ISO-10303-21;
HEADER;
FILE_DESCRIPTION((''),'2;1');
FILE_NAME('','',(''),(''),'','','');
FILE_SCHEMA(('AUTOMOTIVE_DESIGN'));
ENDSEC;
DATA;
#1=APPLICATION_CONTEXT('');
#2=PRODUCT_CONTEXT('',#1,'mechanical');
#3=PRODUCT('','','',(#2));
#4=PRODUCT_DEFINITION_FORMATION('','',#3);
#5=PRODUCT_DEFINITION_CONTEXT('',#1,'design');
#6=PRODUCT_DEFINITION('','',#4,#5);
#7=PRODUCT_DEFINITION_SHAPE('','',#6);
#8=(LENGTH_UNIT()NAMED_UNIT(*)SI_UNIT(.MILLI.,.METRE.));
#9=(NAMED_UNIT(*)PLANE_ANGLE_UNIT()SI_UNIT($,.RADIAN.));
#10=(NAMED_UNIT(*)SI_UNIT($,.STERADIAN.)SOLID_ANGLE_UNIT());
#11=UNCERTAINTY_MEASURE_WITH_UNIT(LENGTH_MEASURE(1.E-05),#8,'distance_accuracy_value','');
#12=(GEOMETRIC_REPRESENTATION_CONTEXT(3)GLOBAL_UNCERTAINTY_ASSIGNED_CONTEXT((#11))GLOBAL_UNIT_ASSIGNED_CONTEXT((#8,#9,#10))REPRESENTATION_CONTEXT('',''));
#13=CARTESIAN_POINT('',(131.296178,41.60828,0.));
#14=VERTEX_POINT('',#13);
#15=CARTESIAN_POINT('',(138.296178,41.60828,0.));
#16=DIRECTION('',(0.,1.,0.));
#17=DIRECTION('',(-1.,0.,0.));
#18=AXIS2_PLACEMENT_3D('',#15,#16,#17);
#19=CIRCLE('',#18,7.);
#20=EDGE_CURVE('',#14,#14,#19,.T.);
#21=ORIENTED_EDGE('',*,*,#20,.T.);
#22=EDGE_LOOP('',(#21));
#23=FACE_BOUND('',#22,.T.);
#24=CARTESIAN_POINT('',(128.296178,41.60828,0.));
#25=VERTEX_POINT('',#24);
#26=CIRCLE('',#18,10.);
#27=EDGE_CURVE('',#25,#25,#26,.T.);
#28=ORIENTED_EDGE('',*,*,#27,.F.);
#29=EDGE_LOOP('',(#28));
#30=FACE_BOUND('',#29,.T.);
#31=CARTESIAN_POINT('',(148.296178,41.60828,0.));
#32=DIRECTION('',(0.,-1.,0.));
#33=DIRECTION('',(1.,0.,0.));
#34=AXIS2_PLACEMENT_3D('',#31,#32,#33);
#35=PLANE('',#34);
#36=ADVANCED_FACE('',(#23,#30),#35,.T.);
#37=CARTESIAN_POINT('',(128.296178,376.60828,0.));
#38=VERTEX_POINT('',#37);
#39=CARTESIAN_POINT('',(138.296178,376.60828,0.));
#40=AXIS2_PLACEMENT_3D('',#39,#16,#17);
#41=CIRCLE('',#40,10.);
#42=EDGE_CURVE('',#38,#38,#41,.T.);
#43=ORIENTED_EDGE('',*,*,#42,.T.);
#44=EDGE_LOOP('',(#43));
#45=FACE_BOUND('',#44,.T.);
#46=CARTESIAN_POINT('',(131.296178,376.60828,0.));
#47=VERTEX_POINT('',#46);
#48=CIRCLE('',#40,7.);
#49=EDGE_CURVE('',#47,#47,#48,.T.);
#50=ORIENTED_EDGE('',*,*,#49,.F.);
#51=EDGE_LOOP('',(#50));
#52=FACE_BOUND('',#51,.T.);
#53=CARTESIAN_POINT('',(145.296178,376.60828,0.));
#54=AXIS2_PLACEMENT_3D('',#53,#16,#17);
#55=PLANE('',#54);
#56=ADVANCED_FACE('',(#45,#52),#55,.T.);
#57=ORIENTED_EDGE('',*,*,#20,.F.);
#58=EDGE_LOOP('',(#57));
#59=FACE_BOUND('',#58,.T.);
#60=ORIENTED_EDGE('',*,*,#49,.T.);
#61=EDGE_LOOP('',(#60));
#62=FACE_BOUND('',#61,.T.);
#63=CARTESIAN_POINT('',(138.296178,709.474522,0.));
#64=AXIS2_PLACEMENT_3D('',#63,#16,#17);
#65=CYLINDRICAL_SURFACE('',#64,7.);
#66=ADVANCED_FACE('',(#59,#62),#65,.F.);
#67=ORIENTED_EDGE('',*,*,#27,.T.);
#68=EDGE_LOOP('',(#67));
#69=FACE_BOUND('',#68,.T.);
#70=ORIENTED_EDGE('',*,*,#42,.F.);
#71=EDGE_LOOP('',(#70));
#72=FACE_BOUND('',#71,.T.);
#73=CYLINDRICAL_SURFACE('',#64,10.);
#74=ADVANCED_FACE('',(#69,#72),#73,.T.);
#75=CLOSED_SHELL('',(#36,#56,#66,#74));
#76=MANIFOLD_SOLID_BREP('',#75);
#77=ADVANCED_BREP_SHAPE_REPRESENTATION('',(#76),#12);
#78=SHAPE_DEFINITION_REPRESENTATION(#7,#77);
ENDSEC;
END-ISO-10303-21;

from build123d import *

# Parameters (mm, degrees)
SKETCH1_W = 3
SKETCH1_H = 335


with BuildPart() as part:
    # Sketch1 → Revolve-Thin1 (revolve)
    with BuildSketch(Plane.XY, mode=Mode.PRIVATE) as revolve_thin1_sk:
        with Locations((146.796178344, 209.108280255)):
            Rectangle(SKETCH1_W, SKETCH1_H)
    revolve(revolve_thin1_sk.sketch.rotate(Axis((138.296178344, 709.474522293, 0), (0, -1, 0)), 180), axis=Axis((138.296178344, 709.474522293, 0), (0, -1, 0)))


solid = part.part
